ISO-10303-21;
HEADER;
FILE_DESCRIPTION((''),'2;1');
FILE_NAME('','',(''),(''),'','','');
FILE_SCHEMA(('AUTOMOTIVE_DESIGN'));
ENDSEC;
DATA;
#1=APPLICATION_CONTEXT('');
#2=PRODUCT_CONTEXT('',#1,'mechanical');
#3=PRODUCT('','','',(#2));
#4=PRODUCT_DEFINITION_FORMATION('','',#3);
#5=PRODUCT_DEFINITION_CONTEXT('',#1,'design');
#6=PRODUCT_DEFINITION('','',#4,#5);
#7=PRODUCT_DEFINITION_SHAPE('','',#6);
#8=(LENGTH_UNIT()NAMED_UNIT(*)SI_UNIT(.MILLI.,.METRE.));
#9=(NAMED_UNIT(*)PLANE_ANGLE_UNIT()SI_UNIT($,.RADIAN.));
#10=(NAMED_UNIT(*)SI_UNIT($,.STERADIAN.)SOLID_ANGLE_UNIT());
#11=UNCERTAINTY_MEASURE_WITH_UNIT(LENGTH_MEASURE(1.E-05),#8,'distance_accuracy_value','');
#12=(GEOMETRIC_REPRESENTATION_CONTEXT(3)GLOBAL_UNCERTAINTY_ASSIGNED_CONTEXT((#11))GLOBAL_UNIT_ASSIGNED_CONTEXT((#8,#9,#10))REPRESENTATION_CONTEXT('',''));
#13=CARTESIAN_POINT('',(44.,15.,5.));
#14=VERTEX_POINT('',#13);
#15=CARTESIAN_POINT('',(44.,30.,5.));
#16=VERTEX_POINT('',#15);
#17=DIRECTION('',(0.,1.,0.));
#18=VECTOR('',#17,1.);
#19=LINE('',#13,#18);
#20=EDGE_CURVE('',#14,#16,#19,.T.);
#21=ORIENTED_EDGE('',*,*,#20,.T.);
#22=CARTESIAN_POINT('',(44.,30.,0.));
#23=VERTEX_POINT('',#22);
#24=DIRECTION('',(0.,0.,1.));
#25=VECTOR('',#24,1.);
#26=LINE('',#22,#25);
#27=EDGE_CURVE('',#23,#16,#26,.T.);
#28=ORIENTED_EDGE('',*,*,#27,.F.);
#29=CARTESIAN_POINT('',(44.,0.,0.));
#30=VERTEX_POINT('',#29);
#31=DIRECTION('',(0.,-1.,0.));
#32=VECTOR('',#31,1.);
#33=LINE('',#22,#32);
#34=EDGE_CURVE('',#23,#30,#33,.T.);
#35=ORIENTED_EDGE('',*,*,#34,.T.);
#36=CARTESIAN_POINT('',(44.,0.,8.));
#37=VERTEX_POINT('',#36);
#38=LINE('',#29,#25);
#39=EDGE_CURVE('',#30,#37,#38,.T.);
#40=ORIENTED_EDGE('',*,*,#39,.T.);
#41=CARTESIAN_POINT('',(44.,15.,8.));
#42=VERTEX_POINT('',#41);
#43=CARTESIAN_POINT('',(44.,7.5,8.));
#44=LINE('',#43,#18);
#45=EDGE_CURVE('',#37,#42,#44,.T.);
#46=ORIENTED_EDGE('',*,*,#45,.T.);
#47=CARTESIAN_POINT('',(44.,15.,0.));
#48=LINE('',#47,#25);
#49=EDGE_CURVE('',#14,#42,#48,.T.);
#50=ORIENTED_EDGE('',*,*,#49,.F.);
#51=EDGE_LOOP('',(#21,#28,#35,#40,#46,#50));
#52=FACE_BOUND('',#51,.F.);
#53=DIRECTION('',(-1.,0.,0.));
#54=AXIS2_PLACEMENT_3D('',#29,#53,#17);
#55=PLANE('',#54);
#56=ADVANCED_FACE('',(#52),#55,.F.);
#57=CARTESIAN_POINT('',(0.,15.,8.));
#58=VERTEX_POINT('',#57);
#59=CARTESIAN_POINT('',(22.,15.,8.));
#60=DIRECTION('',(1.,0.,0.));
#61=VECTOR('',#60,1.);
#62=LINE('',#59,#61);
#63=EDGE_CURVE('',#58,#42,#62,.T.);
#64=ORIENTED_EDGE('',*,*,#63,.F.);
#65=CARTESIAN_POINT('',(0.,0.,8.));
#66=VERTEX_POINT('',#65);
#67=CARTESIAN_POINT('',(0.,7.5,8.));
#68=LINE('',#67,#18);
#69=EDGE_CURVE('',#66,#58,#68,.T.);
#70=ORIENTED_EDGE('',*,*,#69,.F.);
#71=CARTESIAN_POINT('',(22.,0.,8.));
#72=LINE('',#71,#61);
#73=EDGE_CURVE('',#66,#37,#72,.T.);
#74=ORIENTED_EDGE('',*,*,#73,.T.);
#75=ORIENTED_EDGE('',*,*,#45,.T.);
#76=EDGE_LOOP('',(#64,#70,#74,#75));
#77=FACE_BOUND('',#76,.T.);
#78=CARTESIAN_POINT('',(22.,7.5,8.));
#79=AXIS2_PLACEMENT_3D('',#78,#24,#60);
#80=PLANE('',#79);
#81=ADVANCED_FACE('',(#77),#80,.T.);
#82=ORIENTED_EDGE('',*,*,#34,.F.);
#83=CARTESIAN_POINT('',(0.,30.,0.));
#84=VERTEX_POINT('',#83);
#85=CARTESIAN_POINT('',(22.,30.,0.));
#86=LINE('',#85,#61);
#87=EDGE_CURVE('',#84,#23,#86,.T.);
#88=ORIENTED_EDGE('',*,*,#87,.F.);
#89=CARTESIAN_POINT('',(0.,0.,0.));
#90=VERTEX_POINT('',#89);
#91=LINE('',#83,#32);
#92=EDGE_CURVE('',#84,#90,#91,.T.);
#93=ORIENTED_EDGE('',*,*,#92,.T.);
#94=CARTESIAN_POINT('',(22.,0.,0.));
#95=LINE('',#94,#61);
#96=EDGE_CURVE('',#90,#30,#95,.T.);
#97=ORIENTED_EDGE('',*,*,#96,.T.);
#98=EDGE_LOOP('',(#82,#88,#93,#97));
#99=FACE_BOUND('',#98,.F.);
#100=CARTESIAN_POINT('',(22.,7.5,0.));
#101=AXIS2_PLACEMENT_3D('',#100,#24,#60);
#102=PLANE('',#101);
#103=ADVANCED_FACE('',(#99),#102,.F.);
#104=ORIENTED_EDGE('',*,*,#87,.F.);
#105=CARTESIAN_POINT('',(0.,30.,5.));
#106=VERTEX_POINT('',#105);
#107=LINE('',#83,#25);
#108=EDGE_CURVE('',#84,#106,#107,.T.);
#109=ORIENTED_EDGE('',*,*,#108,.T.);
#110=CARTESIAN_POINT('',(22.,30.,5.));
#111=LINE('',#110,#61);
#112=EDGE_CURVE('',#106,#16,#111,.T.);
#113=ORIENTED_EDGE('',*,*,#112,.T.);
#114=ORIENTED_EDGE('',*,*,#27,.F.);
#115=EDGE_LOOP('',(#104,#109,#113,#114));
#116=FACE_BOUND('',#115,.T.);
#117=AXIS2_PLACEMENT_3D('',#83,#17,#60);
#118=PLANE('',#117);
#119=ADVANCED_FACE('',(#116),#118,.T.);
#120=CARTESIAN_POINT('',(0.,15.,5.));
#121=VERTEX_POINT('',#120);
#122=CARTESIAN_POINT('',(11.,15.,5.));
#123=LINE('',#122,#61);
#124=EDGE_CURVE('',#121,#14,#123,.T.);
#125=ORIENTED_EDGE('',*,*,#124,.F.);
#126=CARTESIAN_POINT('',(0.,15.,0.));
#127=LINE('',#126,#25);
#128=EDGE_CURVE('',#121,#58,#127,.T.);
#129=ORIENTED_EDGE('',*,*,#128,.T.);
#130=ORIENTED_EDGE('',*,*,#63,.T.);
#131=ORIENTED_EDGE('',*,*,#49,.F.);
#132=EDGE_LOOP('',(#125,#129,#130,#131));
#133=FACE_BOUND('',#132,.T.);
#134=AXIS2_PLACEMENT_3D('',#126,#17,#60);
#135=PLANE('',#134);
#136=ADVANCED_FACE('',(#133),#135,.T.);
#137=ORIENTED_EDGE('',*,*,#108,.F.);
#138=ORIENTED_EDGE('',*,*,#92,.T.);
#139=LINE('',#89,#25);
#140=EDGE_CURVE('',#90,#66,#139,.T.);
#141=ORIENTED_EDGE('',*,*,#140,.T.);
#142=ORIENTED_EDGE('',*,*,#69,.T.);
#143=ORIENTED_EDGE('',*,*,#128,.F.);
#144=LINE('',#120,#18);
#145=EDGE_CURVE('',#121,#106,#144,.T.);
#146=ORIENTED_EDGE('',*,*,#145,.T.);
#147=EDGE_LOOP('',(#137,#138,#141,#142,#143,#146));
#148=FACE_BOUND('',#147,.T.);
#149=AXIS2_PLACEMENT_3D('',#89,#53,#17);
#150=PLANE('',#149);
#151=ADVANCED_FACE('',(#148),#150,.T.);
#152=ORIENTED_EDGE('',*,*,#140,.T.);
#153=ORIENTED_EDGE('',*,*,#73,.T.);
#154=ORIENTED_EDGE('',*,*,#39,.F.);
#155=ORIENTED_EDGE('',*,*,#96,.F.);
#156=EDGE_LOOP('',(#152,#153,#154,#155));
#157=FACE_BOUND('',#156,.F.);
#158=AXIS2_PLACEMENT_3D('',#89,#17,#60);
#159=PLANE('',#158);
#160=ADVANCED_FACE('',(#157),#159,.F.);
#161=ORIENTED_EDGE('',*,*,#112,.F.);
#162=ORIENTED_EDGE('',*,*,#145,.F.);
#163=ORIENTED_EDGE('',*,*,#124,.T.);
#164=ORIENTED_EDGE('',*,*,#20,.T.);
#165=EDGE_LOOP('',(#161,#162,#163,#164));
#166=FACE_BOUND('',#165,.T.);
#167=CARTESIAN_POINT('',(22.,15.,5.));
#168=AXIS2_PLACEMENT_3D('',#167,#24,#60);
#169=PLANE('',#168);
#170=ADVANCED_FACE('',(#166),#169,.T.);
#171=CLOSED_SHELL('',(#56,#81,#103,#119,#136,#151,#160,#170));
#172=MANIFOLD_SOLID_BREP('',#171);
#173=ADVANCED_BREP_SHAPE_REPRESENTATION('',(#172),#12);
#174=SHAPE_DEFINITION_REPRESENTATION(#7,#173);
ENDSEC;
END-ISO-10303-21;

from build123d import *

# Parameters (mm, degrees)
BOX001_W     = 44
BOX001_H     = 30
BOX001_DEPTH = 5
BOX_W        = 44
BOX_H        = 15
BOX_DEPTH    = 8


with BuildPart() as cube001:
    # Box001 → Box001 (new body)
    with BuildSketch(Plane.XY):
        with Locations((22, 15)):
            Rectangle(BOX001_W, BOX001_H)
    extrude(amount=BOX001_DEPTH)


with BuildPart() as fusion:
    # Box → Box (new body)
    with BuildSketch(Plane.XY):
        with Locations((22, 7.5)):
            Rectangle(BOX_W, BOX_H)
    extrude(amount=BOX_DEPTH)

    # Fusion: union Cube001
    add(cube001.part)


solid = fusion.part
